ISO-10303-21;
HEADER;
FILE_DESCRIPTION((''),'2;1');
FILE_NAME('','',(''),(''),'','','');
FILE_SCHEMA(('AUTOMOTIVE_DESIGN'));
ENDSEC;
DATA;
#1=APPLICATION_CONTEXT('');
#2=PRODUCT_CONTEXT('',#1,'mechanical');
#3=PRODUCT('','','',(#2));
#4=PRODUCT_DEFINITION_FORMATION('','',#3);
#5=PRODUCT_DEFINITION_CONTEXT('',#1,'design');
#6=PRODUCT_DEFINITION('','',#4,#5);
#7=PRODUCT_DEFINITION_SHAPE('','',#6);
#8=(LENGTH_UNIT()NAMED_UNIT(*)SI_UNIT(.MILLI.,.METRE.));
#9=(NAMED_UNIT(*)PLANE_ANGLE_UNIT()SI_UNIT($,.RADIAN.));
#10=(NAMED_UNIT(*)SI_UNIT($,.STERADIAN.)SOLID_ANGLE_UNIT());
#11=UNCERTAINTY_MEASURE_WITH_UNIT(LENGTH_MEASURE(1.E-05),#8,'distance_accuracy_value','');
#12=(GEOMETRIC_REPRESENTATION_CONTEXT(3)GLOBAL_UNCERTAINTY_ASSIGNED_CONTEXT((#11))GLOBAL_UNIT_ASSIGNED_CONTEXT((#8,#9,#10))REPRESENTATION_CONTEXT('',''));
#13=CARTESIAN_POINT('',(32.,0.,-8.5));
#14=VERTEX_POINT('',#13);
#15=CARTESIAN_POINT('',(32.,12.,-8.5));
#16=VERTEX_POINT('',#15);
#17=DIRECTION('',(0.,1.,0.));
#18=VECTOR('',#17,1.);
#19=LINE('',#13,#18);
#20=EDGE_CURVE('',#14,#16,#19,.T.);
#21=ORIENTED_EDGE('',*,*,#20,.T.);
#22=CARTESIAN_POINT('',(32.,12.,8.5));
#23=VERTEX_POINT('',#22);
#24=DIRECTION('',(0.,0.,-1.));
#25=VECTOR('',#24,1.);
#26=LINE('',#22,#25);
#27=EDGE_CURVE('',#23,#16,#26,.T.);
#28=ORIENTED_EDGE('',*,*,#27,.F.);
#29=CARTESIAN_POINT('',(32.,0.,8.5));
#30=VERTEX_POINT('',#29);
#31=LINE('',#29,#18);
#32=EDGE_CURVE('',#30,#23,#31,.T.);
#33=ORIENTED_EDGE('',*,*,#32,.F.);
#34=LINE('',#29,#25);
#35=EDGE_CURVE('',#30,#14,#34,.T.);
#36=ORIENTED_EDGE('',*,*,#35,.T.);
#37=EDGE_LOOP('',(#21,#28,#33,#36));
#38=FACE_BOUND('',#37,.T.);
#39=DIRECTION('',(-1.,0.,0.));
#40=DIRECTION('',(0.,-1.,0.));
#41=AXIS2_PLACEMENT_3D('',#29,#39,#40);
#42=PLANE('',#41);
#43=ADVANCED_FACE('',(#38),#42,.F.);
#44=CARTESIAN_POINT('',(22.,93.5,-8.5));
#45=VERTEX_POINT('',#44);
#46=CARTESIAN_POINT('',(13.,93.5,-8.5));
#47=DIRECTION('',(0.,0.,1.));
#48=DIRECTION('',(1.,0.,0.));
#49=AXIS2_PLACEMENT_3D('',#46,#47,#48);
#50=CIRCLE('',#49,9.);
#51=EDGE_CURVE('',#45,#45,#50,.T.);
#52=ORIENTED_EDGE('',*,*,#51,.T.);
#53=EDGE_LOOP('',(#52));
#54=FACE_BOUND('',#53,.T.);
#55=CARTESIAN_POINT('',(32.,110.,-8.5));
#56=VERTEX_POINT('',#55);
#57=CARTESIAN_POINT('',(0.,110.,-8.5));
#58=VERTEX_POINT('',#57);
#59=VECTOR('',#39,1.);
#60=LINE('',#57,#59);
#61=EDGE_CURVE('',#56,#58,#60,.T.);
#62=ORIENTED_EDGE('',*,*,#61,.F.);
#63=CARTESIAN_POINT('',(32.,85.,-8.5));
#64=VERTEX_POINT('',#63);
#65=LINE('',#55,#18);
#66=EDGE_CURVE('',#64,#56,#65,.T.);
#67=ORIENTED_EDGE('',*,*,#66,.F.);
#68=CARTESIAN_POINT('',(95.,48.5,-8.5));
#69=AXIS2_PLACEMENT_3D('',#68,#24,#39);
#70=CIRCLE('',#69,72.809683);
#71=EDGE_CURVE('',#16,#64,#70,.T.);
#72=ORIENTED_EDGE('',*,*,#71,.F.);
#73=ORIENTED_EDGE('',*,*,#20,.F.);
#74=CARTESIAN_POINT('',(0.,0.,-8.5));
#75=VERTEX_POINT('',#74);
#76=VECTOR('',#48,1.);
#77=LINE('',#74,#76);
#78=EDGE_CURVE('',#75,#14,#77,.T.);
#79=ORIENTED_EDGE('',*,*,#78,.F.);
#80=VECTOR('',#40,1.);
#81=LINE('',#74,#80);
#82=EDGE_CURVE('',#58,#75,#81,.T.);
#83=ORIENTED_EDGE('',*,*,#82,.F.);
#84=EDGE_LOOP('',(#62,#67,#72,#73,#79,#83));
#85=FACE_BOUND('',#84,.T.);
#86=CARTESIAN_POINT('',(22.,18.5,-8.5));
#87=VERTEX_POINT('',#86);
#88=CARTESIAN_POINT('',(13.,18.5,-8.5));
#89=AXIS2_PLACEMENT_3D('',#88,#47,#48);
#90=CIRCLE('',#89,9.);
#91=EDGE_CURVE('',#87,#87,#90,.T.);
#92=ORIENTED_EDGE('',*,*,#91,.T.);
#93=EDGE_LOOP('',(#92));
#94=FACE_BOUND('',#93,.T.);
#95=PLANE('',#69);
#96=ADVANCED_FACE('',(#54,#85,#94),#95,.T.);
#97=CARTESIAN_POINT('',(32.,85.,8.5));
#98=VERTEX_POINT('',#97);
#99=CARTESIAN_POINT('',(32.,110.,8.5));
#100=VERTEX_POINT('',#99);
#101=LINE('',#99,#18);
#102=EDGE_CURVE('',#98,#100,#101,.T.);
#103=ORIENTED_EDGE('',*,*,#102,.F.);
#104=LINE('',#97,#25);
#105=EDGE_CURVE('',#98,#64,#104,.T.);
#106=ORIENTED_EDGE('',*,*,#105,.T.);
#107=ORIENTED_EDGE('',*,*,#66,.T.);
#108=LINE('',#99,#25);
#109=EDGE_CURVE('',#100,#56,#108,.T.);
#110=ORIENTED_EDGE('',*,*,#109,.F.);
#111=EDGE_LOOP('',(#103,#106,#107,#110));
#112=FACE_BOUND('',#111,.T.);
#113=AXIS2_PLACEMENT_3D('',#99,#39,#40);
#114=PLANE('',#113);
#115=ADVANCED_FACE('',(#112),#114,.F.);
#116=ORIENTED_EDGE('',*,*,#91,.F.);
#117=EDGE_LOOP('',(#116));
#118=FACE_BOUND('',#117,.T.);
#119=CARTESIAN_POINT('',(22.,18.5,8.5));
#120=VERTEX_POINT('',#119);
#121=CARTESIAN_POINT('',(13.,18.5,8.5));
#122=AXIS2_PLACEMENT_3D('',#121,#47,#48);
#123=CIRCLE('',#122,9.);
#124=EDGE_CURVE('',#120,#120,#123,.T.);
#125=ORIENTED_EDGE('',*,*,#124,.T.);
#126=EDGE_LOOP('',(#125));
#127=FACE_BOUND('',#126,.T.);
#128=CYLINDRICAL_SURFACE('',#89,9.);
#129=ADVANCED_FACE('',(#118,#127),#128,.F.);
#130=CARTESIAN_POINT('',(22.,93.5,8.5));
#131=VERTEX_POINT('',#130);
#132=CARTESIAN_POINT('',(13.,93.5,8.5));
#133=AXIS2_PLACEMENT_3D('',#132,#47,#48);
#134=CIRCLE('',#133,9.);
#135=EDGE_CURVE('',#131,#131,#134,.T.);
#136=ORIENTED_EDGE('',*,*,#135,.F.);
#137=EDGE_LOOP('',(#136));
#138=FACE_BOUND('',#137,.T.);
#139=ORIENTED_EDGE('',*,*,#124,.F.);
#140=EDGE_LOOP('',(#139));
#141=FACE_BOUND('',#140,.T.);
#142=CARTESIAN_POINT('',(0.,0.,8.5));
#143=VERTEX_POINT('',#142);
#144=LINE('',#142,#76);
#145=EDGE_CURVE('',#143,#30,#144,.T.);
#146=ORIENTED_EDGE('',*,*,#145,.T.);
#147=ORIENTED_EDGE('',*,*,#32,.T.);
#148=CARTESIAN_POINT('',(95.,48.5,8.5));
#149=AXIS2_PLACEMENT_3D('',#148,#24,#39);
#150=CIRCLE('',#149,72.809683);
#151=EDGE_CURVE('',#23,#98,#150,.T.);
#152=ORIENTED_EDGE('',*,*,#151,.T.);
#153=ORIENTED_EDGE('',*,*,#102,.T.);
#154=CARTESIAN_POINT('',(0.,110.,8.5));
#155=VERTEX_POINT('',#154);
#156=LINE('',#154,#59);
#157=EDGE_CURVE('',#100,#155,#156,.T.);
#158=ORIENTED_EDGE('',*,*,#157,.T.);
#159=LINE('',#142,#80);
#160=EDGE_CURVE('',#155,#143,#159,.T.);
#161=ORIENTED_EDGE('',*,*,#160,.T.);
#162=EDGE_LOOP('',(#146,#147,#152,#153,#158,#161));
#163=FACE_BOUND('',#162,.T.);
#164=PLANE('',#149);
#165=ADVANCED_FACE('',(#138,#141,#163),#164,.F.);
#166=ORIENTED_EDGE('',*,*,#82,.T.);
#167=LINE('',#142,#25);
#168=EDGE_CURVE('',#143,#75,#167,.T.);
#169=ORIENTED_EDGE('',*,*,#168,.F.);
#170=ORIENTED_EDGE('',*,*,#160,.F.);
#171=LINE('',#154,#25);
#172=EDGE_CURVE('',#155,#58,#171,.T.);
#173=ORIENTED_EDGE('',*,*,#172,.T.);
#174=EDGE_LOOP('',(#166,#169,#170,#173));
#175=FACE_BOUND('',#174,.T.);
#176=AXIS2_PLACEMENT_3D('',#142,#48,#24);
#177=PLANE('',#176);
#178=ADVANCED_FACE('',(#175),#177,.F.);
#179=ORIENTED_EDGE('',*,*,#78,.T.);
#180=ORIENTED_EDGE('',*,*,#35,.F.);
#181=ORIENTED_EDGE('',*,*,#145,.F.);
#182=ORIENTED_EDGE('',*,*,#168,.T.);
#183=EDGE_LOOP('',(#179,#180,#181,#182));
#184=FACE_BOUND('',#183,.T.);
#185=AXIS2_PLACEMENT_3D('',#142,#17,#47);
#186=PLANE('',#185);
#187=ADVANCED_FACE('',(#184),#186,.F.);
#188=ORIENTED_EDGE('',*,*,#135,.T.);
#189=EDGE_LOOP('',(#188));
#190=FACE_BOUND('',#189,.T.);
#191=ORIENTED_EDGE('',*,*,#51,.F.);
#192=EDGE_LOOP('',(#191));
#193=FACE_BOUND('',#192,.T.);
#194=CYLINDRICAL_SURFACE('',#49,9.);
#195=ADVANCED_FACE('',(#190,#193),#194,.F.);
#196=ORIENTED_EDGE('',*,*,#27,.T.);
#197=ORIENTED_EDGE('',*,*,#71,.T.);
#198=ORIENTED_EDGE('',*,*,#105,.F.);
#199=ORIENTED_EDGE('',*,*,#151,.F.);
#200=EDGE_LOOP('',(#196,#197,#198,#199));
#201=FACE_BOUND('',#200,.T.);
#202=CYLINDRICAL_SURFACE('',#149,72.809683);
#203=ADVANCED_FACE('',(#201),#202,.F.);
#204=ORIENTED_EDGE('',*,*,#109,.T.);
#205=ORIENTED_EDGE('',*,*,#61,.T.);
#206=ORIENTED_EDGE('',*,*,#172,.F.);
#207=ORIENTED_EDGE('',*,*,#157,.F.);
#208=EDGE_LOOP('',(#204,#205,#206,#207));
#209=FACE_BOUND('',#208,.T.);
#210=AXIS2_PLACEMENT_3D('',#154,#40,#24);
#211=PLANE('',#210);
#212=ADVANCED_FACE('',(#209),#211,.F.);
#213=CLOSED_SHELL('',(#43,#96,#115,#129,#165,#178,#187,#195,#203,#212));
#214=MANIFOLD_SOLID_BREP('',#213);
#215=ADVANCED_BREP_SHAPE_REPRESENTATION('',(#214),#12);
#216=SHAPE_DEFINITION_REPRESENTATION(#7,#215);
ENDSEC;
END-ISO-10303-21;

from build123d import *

# Parameters (mm, degrees)
Y_KSEKLIK_EKSTR_ZYON1_DEPTH = 8.5
IZIM2_R                     = 9
KES_EKSTR_ZYON1_DEPTH       = 18


with BuildPart() as part:
    # Çizim1 → Yükseklik-Ekstrüzyon1 (new body, symmetric)
    with BuildSketch(Plane.XY):
        with BuildLine():
            Line((0, 0), (0, 110))
            Line((0, 110), (32, 110))
            Line((32, 110), (32, 85))
            ThreePointArc((32, 85), (22.190316578, 48.5), (32, 12))
            Line((32, 12), (32, 0))
            Line((32, 0), (0, 0))
        make_face()
    extrude(amount=Y_KSEKLIK_EKSTR_ZYON1_DEPTH, both=True)

    # Çizim2 → Kes-Ekstrüzyon1 (cut, through all)
    with BuildSketch(Plane.XY.offset(8.5)):
        with Locations((13, 93.5)):
            Circle(IZIM2_R)
        with Locations((13, 18.5)):
            Circle(IZIM2_R)
    extrude(amount=-KES_EKSTR_ZYON1_DEPTH, mode=Mode.SUBTRACT)


solid = part.part
